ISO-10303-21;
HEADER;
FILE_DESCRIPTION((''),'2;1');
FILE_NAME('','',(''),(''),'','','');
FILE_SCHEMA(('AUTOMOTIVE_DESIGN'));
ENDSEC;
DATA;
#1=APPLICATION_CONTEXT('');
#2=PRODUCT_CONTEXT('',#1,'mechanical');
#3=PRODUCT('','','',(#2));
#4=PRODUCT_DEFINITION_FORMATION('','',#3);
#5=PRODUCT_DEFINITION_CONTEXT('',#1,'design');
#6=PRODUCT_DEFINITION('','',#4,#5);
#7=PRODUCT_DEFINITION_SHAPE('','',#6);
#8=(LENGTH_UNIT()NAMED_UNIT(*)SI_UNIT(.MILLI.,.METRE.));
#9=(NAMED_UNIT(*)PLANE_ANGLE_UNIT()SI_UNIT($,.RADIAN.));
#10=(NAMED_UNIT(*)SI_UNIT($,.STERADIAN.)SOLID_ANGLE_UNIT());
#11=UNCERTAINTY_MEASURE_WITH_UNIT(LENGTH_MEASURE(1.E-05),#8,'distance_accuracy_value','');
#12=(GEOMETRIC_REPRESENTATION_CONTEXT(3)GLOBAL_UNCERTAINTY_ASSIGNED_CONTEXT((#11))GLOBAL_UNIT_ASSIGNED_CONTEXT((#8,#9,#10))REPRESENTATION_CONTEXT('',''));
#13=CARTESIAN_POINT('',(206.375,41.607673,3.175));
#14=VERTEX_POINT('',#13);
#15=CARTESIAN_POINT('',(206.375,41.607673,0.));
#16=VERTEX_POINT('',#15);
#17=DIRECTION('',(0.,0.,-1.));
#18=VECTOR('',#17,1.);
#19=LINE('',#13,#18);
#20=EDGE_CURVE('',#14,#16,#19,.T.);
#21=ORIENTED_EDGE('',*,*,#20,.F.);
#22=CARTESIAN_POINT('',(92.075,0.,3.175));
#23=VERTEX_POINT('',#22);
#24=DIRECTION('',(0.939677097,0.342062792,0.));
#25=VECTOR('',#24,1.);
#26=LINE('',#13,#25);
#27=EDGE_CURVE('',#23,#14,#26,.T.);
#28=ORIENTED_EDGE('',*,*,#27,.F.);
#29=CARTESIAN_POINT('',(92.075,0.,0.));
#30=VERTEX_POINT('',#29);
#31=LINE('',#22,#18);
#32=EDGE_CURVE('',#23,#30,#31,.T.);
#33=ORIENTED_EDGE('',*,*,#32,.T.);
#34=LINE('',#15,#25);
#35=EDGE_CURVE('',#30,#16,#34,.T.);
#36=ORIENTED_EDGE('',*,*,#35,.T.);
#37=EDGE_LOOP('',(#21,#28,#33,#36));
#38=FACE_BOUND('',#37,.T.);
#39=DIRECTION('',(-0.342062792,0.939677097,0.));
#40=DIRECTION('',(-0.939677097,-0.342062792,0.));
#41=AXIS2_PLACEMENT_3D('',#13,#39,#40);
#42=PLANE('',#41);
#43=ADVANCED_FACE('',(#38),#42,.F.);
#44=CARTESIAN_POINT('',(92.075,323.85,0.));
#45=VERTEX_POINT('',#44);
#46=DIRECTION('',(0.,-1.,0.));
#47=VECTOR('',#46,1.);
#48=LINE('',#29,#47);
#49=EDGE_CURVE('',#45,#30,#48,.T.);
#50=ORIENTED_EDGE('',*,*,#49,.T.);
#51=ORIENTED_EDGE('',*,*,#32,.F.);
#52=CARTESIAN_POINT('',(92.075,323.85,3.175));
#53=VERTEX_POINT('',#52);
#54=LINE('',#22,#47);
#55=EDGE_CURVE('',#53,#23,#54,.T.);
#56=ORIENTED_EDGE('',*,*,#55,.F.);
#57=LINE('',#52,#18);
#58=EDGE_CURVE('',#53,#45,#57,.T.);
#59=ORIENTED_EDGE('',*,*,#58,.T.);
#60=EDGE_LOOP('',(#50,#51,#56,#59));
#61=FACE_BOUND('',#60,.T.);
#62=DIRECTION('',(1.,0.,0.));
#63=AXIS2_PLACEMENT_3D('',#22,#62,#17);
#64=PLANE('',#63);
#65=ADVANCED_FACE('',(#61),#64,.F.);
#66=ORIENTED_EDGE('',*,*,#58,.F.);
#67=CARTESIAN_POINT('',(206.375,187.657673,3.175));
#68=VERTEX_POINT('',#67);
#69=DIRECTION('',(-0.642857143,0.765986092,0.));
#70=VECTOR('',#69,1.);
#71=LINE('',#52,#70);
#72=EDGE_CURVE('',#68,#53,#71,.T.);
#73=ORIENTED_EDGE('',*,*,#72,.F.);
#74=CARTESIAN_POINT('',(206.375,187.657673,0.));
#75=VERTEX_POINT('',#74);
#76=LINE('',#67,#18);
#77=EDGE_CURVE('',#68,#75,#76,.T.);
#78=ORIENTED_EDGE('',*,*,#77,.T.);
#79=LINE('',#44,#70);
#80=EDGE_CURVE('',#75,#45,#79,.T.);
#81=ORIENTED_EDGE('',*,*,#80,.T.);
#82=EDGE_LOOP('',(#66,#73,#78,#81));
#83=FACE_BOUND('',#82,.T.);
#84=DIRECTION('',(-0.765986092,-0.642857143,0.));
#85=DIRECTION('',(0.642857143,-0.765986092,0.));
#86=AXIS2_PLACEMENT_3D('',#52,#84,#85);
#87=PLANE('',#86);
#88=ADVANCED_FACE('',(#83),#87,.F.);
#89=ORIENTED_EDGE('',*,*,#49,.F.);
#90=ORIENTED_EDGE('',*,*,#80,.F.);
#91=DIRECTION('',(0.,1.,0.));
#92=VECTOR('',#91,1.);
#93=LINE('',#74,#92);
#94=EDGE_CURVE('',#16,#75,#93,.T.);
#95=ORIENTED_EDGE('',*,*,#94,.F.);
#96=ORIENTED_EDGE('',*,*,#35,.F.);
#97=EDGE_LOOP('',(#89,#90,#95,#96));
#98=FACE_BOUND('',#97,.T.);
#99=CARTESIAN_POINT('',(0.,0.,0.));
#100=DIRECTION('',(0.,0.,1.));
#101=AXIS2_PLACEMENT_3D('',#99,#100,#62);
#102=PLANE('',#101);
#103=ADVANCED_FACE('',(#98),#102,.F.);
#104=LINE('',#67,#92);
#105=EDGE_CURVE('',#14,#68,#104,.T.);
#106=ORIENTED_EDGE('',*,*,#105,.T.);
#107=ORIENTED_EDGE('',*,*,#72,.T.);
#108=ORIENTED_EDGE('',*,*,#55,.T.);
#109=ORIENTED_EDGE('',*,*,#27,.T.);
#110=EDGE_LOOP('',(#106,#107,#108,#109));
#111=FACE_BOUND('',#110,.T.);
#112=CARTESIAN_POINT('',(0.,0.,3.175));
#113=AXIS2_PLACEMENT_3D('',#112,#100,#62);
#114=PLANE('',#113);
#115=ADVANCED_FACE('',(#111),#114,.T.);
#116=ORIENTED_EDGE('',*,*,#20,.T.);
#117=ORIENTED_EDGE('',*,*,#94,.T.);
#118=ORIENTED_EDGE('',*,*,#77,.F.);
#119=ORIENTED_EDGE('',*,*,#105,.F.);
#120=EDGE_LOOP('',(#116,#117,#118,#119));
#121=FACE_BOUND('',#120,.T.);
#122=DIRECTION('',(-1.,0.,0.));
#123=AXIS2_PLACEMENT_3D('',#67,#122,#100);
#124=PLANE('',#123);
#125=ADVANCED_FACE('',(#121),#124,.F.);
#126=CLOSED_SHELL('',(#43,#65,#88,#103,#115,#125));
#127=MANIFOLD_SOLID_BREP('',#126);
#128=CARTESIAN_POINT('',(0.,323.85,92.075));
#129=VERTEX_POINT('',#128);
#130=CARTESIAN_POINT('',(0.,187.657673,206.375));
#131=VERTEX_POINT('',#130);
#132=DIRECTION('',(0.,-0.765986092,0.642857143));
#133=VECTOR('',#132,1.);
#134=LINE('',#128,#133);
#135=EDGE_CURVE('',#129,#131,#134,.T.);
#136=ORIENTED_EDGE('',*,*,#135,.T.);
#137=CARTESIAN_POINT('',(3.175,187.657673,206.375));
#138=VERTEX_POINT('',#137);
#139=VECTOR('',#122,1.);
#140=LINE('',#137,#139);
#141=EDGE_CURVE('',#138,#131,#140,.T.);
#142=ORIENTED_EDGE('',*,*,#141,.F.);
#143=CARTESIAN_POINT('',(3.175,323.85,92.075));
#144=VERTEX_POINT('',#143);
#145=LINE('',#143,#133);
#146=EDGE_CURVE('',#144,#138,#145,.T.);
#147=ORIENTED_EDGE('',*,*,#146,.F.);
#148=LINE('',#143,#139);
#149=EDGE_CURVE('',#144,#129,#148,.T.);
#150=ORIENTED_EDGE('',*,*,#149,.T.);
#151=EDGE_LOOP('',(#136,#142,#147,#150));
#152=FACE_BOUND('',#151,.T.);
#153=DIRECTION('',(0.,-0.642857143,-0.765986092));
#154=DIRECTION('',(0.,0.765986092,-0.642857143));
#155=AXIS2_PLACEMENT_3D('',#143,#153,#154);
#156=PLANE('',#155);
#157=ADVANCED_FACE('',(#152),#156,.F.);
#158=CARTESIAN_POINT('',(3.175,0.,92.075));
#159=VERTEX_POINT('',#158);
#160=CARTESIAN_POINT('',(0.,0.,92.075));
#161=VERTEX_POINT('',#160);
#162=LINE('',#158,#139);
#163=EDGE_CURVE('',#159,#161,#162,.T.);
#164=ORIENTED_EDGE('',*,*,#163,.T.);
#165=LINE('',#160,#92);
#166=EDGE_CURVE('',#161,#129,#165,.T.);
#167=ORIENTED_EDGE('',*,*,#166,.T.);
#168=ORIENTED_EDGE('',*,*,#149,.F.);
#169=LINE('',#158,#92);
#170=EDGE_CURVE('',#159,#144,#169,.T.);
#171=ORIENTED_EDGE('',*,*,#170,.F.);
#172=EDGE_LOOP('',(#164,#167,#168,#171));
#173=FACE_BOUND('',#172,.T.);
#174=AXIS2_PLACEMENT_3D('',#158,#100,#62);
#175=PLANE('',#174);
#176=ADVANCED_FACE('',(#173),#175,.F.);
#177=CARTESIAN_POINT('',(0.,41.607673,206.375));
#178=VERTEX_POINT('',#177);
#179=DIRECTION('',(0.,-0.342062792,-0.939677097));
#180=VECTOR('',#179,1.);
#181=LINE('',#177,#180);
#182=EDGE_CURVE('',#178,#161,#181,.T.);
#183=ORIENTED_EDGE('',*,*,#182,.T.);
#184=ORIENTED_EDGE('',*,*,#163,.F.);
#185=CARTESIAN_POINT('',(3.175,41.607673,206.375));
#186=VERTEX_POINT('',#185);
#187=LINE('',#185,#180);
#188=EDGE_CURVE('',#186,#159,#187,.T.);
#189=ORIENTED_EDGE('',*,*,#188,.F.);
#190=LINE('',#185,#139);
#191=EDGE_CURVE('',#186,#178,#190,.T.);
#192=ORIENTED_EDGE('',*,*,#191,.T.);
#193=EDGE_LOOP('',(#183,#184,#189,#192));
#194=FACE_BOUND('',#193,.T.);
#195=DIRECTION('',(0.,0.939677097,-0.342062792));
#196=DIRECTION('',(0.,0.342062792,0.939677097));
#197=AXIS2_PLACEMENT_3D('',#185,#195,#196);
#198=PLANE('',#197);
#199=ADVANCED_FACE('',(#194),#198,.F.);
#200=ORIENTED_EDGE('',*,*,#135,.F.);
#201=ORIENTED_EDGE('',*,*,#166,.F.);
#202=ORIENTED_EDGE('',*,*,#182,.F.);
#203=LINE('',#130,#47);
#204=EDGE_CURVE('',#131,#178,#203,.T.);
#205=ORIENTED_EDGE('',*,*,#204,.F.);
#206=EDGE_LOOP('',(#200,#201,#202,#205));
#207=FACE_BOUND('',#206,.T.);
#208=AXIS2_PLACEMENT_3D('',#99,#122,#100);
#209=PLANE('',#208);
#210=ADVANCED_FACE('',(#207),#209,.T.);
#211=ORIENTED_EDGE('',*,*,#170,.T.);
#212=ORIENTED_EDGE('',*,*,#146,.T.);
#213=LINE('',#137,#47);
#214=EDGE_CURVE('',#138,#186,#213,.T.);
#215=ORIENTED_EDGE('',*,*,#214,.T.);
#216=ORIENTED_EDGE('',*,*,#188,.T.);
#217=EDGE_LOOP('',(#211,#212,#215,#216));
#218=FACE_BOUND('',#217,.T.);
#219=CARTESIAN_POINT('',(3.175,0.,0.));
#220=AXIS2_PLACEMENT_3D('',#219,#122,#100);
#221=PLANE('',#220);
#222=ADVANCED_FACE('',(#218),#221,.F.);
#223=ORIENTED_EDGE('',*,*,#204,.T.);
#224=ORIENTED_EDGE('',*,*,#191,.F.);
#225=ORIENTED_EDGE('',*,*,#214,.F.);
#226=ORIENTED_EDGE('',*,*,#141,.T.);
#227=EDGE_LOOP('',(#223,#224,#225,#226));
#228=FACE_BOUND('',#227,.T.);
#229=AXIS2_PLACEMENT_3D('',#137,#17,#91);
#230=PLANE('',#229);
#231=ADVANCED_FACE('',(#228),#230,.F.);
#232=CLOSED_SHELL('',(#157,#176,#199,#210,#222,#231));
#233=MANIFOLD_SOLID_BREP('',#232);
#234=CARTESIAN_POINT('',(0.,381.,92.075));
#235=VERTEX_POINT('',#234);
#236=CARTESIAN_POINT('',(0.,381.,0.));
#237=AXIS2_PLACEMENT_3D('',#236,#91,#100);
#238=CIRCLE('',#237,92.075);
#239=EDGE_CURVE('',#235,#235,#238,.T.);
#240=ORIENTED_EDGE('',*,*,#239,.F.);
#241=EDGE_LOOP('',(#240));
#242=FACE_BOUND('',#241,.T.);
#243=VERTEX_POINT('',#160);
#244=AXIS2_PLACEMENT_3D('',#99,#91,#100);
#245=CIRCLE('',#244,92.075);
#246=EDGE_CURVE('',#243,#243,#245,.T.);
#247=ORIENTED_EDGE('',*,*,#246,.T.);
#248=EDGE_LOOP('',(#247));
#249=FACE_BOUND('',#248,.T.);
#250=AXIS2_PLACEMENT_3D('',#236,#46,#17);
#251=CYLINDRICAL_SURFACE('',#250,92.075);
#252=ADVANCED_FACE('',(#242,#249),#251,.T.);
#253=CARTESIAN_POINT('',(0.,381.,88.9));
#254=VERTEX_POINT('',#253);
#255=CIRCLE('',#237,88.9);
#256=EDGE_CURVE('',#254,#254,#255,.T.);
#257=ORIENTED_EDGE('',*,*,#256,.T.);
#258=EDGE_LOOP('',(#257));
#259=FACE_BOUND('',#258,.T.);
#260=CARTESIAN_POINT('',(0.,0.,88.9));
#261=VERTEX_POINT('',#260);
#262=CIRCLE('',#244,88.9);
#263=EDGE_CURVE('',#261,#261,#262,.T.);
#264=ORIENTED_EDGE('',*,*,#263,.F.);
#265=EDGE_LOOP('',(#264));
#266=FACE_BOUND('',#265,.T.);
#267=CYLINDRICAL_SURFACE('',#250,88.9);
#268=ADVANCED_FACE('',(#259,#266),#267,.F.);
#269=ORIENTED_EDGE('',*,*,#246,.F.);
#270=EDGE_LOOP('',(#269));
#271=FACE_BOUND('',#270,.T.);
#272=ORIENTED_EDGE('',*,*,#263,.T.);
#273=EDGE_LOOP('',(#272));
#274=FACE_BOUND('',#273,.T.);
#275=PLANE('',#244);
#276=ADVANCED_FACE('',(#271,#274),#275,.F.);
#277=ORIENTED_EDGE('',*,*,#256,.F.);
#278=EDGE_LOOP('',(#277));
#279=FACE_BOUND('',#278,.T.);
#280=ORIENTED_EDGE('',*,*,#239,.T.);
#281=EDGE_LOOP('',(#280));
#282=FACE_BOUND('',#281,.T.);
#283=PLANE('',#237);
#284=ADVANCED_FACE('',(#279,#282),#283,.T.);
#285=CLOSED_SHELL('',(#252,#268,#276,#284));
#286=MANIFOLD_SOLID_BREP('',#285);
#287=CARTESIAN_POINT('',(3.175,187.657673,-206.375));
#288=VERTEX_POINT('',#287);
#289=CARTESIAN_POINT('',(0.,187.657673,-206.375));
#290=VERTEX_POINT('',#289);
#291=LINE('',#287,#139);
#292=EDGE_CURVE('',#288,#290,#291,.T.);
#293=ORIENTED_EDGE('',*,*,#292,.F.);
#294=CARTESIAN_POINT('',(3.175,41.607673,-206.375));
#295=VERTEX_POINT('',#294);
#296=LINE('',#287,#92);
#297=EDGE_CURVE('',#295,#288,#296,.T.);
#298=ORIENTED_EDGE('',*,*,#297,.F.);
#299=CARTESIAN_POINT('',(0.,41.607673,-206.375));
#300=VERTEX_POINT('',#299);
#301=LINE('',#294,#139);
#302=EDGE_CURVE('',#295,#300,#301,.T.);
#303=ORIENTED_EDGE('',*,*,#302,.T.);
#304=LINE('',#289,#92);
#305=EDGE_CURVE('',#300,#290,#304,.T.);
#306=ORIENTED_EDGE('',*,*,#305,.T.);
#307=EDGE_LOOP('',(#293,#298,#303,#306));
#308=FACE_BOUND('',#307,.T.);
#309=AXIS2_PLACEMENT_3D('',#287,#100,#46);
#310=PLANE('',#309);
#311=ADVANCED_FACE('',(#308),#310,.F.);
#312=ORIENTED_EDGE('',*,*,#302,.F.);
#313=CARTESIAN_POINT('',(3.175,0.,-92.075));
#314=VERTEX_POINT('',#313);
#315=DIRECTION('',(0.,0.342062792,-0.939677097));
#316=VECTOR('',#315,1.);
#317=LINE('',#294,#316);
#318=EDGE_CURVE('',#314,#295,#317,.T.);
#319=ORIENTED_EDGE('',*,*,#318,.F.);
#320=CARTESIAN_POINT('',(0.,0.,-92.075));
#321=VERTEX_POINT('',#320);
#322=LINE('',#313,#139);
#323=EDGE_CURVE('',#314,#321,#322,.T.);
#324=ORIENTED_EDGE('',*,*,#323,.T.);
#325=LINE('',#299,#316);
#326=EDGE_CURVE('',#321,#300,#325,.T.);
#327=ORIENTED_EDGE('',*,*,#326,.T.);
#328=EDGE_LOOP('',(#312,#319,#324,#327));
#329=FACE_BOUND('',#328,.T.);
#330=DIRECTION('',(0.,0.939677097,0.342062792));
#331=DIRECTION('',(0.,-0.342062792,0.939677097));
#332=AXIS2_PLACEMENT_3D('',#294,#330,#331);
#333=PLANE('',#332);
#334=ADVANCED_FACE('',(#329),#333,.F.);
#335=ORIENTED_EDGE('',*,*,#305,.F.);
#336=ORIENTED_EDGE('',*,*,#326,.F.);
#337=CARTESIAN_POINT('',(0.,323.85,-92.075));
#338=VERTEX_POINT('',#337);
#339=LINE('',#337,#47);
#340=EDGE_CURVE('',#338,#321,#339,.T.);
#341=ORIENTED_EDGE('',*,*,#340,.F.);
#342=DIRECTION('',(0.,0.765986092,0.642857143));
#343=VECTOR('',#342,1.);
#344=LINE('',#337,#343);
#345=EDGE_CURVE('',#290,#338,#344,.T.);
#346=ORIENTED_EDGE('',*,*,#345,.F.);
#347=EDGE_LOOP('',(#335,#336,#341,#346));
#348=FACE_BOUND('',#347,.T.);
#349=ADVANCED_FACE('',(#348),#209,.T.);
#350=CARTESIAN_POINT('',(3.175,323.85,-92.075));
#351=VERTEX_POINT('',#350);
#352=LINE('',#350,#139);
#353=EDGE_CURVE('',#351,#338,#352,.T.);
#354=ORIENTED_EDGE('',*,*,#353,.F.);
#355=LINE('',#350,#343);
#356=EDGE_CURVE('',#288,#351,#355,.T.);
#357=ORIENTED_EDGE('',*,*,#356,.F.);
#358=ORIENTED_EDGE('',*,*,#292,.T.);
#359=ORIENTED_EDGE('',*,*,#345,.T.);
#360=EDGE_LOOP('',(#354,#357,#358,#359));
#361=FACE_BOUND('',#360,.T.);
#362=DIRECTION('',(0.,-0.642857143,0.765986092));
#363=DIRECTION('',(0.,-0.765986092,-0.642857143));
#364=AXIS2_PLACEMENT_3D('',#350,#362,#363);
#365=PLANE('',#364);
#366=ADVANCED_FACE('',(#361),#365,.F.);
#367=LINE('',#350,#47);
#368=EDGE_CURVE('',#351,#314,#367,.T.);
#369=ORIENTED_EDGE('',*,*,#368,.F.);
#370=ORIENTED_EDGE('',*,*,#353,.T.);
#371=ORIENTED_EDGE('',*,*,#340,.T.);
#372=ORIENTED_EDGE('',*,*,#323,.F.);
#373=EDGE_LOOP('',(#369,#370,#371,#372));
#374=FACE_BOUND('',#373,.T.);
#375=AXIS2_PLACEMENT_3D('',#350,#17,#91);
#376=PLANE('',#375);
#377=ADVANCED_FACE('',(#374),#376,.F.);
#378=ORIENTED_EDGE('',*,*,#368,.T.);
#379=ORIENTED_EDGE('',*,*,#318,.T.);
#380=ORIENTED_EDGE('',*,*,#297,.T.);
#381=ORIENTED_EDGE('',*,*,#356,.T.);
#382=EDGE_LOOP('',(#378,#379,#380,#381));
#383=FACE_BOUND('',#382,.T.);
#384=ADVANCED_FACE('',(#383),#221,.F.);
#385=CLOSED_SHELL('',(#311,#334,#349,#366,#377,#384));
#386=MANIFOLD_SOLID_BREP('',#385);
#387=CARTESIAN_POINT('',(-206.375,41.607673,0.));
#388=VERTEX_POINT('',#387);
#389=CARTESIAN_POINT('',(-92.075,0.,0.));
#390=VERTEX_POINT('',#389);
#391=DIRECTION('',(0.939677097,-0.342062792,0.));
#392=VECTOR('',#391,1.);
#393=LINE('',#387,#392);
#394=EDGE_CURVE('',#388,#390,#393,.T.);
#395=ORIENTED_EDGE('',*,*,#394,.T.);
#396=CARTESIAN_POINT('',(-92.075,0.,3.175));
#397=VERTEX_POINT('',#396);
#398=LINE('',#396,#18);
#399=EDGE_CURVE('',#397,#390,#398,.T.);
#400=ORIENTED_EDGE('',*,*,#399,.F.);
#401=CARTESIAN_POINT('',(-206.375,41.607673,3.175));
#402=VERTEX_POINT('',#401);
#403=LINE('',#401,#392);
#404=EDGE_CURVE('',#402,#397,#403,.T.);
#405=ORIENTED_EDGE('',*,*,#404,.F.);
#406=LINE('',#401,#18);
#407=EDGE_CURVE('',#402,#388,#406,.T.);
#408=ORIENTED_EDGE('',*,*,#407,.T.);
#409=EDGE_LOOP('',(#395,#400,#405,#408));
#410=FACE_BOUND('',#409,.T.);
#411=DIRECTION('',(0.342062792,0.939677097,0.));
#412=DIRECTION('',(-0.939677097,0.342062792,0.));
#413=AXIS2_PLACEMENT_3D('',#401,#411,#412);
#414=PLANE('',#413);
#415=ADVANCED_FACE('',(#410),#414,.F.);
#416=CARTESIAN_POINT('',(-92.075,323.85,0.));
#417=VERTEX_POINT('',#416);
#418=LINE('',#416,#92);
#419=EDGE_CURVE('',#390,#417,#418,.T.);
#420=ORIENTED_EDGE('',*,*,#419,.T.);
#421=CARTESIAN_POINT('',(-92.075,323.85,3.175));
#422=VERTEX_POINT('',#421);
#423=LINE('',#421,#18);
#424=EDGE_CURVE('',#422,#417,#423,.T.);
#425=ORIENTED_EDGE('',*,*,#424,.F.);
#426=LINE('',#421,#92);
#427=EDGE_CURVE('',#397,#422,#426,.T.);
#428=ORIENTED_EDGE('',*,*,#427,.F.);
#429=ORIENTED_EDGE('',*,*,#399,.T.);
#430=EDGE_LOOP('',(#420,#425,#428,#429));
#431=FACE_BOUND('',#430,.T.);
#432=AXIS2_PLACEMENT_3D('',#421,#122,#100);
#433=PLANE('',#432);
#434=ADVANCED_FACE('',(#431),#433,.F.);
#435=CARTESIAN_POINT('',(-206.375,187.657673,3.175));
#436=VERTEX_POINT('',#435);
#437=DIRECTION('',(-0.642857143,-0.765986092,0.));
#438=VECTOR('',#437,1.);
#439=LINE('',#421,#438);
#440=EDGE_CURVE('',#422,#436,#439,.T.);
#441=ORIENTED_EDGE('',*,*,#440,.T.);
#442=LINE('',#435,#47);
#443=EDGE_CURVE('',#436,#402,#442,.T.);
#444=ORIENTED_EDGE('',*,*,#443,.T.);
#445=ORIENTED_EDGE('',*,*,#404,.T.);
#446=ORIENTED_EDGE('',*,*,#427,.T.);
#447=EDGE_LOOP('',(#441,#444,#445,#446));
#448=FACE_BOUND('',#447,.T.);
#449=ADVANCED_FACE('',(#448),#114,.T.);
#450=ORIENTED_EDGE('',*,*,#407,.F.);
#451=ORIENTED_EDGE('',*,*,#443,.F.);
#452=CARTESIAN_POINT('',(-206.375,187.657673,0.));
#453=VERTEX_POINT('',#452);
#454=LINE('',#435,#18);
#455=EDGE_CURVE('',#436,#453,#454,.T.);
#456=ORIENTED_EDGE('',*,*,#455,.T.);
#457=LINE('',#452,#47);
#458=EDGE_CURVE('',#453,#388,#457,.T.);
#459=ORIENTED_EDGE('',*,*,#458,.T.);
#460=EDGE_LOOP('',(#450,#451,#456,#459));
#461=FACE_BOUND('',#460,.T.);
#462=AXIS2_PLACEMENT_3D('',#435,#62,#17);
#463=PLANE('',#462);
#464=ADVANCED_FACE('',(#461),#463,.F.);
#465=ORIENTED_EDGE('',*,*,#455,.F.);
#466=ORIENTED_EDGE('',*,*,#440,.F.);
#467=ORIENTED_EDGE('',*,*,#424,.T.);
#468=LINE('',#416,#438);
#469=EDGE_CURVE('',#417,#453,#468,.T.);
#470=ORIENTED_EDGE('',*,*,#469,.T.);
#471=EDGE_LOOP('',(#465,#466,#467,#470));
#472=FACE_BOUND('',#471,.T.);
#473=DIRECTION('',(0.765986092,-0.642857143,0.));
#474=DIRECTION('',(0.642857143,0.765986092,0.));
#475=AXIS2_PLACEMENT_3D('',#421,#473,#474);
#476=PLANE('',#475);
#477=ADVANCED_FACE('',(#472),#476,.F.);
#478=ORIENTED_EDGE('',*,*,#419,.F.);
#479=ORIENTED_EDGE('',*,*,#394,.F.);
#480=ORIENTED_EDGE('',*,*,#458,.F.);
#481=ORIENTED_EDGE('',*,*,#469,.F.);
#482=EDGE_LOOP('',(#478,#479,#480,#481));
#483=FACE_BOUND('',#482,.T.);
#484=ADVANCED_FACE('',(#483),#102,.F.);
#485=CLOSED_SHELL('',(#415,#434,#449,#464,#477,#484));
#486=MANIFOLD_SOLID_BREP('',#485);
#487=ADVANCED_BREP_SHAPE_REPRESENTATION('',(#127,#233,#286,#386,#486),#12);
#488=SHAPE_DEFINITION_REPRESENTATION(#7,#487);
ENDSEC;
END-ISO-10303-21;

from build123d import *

# Parameters (mm, degrees)
SKETCH1_R           = 92.075
SKETCH1_R_2         = 88.9
BOSS_EXTRUDE1_DEPTH = 381
BOSS_EXTRUDE2_DEPTH = 3.175
BOSS_EXTRUDE3_DEPTH = 3.175
BOSS_EXTRUDE4_DEPTH = 3.175
BOSS_EXTRUDE5_DEPTH = 3.175


with BuildPart() as part:
    # Sketch1 → Boss-Extrude1 (new body)
    with BuildSketch(Plane(origin=(0, 0, 0), x_dir=(1, 0, 0), z_dir=(0, 1, 0))):
        Circle(SKETCH1_R)
        Circle(SKETCH1_R_2, mode=Mode.SUBTRACT)
    extrude(amount=BOSS_EXTRUDE1_DEPTH)


with BuildPart() as body_2:
    # Sketch2 → Boss-Extrude2 (new body)
    with BuildSketch(Plane(origin=(0, 0, 0), x_dir=(0, 0, -1), z_dir=(1, 0, 0))):
        Polygon((-92.075, 323.85), (-206.375, 187.657672757), (-206.375, 41.607672757), (-92.075, 0), align=None)
    extrude(amount=BOSS_EXTRUDE2_DEPTH)


with BuildPart() as body_3:
    # Sketch5 → Boss-Extrude3 (new body)
    with BuildSketch(Plane(origin=(0, 0, 0), x_dir=(0, 0, -1), z_dir=(1, 0, 0))):
        Polygon((92.075, 323.85), (206.375, 187.657672757), (206.375, 41.607672757), (92.075, 0), align=None)
    extrude(amount=BOSS_EXTRUDE3_DEPTH)


with BuildPart() as body_4:
    # Sketch6 → Boss-Extrude4 (new body)
    with BuildSketch(Plane.XY):
        Polygon((-92.075, 323.85), (-206.375, 187.657672757), (-206.375, 41.607672757), (-92.075, 0), align=None)
    extrude(amount=BOSS_EXTRUDE4_DEPTH)


with BuildPart() as body_5:
    # Sketch7 → Boss-Extrude5 (new body)
    with BuildSketch(Plane.XY):
        Polygon((92.075, 323.85), (206.375, 187.657672757), (206.375, 41.607672757), (92.075, 0), align=None)
    extrude(amount=BOSS_EXTRUDE5_DEPTH)


solid = Compound([part.part, body_2.part, body_3.part, body_4.part, body_5.part])
